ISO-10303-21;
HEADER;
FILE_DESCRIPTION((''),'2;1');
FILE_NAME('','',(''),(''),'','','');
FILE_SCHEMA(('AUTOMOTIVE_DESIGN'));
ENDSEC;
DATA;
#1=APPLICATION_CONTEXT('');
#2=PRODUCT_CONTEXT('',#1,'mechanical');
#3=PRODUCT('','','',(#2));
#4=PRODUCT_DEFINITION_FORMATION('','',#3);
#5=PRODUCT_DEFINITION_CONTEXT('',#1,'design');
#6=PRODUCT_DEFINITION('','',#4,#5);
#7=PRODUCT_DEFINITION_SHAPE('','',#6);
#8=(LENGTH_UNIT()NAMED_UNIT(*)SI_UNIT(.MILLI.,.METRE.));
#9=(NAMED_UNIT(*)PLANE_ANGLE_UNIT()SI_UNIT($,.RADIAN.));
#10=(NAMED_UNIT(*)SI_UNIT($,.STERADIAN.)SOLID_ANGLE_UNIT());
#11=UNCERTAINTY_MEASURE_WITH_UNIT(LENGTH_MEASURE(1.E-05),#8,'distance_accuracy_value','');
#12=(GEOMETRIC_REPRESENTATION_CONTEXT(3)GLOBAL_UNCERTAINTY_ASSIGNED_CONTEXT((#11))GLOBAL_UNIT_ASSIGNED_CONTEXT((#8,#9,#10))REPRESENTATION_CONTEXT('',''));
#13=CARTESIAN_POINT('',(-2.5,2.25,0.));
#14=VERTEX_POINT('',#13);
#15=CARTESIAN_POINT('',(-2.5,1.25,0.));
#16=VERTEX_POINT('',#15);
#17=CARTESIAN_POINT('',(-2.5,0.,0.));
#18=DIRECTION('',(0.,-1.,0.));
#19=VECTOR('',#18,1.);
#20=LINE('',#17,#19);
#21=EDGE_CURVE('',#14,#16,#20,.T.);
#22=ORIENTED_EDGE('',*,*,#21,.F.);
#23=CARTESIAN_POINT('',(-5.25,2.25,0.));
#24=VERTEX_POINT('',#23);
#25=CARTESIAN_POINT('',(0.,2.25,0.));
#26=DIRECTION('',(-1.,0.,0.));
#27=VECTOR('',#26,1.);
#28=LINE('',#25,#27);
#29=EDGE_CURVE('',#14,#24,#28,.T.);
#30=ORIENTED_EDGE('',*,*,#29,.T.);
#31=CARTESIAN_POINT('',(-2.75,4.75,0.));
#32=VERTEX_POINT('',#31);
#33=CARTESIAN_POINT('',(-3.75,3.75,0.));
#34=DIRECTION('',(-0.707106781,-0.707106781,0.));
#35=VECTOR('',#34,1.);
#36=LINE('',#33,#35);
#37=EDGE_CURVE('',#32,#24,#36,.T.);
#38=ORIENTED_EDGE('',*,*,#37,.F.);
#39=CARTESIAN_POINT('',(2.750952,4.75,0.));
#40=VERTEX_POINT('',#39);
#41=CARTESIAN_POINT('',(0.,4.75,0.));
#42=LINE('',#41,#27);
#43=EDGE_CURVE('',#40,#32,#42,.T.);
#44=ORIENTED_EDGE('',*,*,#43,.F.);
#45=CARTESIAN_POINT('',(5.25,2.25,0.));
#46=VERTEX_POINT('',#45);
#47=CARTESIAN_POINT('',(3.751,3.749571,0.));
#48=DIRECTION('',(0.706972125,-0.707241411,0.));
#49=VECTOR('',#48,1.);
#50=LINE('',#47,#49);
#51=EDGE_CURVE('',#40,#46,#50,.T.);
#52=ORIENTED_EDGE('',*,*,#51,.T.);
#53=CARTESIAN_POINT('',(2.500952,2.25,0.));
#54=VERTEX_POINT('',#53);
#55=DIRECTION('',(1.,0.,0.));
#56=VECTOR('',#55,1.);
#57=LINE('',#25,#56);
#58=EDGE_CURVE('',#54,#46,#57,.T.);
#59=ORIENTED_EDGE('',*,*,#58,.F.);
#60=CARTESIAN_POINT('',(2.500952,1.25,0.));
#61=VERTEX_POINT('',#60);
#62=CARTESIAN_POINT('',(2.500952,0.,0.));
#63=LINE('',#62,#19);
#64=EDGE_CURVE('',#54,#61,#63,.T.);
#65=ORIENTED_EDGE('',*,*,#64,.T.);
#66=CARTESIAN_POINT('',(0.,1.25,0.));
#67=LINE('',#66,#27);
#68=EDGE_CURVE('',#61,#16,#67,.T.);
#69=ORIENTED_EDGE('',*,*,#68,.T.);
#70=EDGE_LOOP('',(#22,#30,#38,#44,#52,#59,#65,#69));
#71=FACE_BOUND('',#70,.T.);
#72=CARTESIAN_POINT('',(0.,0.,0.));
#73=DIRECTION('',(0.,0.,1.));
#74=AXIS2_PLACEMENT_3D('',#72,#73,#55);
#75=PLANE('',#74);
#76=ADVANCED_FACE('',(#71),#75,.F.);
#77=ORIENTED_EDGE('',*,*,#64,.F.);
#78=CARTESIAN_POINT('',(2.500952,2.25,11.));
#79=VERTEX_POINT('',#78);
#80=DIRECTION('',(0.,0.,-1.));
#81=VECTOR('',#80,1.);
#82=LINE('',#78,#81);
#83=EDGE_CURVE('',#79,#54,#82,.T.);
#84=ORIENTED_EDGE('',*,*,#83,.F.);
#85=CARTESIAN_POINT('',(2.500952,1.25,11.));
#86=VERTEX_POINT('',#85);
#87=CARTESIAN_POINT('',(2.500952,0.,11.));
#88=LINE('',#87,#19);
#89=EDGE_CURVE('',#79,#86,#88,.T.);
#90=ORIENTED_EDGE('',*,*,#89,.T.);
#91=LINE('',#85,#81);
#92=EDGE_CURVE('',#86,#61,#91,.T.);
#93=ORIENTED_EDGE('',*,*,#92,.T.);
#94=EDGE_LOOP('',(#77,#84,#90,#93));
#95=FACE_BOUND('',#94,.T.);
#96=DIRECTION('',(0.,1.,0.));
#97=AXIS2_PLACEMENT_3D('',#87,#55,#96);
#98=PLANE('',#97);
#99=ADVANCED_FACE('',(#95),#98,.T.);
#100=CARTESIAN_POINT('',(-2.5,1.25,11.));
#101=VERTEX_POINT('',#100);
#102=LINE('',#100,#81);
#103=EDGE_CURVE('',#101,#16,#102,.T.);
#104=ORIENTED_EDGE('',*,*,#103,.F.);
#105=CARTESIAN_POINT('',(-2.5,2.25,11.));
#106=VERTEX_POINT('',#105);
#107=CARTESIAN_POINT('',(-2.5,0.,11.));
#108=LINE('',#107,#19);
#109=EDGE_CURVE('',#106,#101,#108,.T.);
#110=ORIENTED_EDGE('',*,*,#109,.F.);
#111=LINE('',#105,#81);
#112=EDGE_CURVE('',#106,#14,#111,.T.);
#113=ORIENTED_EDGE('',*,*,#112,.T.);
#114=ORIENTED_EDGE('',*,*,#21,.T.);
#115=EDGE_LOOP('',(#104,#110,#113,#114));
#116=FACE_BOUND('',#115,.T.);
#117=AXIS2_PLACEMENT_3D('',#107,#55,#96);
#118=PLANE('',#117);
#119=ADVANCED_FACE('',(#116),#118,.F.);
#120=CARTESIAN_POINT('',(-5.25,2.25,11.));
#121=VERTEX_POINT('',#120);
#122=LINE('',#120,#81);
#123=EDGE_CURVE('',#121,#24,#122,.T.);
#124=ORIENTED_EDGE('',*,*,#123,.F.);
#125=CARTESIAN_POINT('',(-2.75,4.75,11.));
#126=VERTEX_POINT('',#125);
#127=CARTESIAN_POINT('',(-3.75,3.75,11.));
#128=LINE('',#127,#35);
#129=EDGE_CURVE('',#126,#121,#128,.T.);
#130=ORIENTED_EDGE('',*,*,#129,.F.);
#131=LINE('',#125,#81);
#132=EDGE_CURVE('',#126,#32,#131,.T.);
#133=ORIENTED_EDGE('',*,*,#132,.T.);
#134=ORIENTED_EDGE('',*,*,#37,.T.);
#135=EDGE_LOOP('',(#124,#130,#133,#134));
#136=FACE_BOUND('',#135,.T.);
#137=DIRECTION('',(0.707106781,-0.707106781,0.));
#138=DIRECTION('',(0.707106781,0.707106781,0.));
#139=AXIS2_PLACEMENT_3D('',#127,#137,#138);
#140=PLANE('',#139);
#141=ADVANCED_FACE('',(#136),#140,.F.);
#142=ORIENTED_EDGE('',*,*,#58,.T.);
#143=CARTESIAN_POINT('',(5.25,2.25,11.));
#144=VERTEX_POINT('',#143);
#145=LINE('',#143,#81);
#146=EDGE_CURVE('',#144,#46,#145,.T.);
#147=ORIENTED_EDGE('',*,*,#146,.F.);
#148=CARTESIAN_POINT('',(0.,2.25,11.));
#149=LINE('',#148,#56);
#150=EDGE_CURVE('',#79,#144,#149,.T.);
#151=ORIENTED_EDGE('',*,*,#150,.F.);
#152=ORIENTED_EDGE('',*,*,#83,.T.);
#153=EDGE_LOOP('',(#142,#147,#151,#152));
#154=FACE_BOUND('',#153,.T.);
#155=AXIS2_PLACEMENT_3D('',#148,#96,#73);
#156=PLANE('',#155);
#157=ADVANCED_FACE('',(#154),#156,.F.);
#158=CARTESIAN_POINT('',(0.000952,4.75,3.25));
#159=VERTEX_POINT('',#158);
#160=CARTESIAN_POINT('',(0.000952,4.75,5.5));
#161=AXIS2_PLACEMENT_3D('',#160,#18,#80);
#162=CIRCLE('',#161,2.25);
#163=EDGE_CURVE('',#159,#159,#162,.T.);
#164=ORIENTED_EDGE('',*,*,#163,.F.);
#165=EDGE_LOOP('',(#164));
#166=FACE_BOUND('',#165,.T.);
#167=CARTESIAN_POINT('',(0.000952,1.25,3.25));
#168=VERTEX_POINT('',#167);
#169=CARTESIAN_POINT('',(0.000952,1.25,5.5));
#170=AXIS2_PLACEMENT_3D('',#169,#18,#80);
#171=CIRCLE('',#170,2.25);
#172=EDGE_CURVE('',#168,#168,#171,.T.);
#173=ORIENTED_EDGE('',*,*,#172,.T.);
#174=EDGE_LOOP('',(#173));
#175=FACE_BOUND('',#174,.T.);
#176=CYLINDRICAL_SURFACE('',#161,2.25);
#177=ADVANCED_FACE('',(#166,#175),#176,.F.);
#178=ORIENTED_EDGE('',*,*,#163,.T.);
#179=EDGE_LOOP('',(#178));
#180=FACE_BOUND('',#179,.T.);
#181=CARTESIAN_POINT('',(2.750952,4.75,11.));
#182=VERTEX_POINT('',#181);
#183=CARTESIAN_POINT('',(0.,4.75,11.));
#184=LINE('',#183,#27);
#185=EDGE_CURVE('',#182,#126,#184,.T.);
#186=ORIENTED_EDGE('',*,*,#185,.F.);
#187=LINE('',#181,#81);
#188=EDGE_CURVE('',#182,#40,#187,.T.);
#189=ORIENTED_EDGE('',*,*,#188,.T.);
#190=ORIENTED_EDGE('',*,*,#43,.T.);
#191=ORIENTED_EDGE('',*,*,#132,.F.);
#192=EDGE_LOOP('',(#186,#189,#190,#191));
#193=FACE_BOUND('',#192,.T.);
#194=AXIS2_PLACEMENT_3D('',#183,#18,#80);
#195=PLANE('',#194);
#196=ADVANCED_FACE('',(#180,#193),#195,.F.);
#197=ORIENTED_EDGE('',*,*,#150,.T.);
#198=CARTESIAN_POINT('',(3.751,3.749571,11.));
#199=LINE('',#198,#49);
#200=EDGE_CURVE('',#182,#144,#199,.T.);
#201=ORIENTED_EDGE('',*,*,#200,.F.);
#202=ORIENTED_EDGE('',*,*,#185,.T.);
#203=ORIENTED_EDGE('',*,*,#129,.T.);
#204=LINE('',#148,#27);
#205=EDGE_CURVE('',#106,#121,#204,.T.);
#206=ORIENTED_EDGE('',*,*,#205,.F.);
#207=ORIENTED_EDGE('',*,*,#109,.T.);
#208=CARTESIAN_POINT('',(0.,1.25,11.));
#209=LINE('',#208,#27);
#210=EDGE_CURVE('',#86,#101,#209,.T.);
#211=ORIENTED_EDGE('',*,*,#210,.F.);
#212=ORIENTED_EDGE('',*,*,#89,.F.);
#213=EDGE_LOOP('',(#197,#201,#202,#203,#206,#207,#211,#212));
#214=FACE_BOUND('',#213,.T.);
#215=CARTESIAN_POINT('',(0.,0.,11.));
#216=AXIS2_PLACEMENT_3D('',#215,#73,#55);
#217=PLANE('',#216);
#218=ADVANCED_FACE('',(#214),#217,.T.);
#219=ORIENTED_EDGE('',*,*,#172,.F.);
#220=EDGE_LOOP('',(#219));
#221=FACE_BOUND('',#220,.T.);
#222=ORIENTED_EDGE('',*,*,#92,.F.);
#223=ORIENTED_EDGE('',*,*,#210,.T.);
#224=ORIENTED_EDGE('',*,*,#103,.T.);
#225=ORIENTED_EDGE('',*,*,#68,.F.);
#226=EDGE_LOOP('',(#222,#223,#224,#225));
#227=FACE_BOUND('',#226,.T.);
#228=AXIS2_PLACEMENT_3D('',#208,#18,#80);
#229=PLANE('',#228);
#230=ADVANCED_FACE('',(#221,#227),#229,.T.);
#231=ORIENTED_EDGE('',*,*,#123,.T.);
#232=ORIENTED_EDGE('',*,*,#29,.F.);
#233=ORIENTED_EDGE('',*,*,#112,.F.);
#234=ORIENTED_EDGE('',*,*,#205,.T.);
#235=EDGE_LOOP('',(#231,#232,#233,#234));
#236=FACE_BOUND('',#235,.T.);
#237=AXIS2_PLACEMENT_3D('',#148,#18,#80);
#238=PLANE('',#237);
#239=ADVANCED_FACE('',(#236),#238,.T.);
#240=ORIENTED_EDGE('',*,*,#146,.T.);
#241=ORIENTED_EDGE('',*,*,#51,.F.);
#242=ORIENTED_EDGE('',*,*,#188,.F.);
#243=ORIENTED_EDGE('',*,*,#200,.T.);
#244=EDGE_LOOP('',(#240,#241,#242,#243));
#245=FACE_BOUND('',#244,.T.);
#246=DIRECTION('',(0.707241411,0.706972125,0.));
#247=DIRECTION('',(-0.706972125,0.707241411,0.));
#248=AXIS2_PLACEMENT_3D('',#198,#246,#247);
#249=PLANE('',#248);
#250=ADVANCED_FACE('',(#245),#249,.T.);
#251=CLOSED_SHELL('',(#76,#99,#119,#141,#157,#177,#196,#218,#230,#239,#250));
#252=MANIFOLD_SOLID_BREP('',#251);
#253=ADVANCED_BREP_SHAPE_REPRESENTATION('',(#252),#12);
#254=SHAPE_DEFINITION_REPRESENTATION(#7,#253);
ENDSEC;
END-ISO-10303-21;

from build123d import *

# Parameters (mm, degrees)
BOSS_EXTRU_1_DEPTH      = 11
ESQUISSE2_R             = 2.25
ENL_V_MAT_EXTRU_1_DEPTH = 13.681186853


with BuildPart() as part:
    # Esquisse1 → Boss.-Extru.1 (new body)
    with BuildSketch(Plane.XY):
        Polygon((2.500951888, 4.75), (-2.5, 4.75), (-2.75, 4.75), (-5.25, 2.25), (-4.5, 2.25), (-2.5, 2.25), (-2.5, 1.25), (2.500951888, 1.25), (2.500951888, 2.25), (4.5, 2.25), (5.25, 2.25), (2.750951888, 4.75), align=None)
    extrude(amount=BOSS_EXTRU_1_DEPTH)

    # Esquisse2 → Enlèv. mat.-Extru.1 (cut, through all)
    with BuildSketch(Plane.XZ.offset(-1.25)):
        with Locations(Location((0.000951888, 5.5, 0), (0, 0, 270))):
            Circle(ESQUISSE2_R)
    extrude(amount=-ENL_V_MAT_EXTRU_1_DEPTH, mode=Mode.SUBTRACT)


solid = part.part
